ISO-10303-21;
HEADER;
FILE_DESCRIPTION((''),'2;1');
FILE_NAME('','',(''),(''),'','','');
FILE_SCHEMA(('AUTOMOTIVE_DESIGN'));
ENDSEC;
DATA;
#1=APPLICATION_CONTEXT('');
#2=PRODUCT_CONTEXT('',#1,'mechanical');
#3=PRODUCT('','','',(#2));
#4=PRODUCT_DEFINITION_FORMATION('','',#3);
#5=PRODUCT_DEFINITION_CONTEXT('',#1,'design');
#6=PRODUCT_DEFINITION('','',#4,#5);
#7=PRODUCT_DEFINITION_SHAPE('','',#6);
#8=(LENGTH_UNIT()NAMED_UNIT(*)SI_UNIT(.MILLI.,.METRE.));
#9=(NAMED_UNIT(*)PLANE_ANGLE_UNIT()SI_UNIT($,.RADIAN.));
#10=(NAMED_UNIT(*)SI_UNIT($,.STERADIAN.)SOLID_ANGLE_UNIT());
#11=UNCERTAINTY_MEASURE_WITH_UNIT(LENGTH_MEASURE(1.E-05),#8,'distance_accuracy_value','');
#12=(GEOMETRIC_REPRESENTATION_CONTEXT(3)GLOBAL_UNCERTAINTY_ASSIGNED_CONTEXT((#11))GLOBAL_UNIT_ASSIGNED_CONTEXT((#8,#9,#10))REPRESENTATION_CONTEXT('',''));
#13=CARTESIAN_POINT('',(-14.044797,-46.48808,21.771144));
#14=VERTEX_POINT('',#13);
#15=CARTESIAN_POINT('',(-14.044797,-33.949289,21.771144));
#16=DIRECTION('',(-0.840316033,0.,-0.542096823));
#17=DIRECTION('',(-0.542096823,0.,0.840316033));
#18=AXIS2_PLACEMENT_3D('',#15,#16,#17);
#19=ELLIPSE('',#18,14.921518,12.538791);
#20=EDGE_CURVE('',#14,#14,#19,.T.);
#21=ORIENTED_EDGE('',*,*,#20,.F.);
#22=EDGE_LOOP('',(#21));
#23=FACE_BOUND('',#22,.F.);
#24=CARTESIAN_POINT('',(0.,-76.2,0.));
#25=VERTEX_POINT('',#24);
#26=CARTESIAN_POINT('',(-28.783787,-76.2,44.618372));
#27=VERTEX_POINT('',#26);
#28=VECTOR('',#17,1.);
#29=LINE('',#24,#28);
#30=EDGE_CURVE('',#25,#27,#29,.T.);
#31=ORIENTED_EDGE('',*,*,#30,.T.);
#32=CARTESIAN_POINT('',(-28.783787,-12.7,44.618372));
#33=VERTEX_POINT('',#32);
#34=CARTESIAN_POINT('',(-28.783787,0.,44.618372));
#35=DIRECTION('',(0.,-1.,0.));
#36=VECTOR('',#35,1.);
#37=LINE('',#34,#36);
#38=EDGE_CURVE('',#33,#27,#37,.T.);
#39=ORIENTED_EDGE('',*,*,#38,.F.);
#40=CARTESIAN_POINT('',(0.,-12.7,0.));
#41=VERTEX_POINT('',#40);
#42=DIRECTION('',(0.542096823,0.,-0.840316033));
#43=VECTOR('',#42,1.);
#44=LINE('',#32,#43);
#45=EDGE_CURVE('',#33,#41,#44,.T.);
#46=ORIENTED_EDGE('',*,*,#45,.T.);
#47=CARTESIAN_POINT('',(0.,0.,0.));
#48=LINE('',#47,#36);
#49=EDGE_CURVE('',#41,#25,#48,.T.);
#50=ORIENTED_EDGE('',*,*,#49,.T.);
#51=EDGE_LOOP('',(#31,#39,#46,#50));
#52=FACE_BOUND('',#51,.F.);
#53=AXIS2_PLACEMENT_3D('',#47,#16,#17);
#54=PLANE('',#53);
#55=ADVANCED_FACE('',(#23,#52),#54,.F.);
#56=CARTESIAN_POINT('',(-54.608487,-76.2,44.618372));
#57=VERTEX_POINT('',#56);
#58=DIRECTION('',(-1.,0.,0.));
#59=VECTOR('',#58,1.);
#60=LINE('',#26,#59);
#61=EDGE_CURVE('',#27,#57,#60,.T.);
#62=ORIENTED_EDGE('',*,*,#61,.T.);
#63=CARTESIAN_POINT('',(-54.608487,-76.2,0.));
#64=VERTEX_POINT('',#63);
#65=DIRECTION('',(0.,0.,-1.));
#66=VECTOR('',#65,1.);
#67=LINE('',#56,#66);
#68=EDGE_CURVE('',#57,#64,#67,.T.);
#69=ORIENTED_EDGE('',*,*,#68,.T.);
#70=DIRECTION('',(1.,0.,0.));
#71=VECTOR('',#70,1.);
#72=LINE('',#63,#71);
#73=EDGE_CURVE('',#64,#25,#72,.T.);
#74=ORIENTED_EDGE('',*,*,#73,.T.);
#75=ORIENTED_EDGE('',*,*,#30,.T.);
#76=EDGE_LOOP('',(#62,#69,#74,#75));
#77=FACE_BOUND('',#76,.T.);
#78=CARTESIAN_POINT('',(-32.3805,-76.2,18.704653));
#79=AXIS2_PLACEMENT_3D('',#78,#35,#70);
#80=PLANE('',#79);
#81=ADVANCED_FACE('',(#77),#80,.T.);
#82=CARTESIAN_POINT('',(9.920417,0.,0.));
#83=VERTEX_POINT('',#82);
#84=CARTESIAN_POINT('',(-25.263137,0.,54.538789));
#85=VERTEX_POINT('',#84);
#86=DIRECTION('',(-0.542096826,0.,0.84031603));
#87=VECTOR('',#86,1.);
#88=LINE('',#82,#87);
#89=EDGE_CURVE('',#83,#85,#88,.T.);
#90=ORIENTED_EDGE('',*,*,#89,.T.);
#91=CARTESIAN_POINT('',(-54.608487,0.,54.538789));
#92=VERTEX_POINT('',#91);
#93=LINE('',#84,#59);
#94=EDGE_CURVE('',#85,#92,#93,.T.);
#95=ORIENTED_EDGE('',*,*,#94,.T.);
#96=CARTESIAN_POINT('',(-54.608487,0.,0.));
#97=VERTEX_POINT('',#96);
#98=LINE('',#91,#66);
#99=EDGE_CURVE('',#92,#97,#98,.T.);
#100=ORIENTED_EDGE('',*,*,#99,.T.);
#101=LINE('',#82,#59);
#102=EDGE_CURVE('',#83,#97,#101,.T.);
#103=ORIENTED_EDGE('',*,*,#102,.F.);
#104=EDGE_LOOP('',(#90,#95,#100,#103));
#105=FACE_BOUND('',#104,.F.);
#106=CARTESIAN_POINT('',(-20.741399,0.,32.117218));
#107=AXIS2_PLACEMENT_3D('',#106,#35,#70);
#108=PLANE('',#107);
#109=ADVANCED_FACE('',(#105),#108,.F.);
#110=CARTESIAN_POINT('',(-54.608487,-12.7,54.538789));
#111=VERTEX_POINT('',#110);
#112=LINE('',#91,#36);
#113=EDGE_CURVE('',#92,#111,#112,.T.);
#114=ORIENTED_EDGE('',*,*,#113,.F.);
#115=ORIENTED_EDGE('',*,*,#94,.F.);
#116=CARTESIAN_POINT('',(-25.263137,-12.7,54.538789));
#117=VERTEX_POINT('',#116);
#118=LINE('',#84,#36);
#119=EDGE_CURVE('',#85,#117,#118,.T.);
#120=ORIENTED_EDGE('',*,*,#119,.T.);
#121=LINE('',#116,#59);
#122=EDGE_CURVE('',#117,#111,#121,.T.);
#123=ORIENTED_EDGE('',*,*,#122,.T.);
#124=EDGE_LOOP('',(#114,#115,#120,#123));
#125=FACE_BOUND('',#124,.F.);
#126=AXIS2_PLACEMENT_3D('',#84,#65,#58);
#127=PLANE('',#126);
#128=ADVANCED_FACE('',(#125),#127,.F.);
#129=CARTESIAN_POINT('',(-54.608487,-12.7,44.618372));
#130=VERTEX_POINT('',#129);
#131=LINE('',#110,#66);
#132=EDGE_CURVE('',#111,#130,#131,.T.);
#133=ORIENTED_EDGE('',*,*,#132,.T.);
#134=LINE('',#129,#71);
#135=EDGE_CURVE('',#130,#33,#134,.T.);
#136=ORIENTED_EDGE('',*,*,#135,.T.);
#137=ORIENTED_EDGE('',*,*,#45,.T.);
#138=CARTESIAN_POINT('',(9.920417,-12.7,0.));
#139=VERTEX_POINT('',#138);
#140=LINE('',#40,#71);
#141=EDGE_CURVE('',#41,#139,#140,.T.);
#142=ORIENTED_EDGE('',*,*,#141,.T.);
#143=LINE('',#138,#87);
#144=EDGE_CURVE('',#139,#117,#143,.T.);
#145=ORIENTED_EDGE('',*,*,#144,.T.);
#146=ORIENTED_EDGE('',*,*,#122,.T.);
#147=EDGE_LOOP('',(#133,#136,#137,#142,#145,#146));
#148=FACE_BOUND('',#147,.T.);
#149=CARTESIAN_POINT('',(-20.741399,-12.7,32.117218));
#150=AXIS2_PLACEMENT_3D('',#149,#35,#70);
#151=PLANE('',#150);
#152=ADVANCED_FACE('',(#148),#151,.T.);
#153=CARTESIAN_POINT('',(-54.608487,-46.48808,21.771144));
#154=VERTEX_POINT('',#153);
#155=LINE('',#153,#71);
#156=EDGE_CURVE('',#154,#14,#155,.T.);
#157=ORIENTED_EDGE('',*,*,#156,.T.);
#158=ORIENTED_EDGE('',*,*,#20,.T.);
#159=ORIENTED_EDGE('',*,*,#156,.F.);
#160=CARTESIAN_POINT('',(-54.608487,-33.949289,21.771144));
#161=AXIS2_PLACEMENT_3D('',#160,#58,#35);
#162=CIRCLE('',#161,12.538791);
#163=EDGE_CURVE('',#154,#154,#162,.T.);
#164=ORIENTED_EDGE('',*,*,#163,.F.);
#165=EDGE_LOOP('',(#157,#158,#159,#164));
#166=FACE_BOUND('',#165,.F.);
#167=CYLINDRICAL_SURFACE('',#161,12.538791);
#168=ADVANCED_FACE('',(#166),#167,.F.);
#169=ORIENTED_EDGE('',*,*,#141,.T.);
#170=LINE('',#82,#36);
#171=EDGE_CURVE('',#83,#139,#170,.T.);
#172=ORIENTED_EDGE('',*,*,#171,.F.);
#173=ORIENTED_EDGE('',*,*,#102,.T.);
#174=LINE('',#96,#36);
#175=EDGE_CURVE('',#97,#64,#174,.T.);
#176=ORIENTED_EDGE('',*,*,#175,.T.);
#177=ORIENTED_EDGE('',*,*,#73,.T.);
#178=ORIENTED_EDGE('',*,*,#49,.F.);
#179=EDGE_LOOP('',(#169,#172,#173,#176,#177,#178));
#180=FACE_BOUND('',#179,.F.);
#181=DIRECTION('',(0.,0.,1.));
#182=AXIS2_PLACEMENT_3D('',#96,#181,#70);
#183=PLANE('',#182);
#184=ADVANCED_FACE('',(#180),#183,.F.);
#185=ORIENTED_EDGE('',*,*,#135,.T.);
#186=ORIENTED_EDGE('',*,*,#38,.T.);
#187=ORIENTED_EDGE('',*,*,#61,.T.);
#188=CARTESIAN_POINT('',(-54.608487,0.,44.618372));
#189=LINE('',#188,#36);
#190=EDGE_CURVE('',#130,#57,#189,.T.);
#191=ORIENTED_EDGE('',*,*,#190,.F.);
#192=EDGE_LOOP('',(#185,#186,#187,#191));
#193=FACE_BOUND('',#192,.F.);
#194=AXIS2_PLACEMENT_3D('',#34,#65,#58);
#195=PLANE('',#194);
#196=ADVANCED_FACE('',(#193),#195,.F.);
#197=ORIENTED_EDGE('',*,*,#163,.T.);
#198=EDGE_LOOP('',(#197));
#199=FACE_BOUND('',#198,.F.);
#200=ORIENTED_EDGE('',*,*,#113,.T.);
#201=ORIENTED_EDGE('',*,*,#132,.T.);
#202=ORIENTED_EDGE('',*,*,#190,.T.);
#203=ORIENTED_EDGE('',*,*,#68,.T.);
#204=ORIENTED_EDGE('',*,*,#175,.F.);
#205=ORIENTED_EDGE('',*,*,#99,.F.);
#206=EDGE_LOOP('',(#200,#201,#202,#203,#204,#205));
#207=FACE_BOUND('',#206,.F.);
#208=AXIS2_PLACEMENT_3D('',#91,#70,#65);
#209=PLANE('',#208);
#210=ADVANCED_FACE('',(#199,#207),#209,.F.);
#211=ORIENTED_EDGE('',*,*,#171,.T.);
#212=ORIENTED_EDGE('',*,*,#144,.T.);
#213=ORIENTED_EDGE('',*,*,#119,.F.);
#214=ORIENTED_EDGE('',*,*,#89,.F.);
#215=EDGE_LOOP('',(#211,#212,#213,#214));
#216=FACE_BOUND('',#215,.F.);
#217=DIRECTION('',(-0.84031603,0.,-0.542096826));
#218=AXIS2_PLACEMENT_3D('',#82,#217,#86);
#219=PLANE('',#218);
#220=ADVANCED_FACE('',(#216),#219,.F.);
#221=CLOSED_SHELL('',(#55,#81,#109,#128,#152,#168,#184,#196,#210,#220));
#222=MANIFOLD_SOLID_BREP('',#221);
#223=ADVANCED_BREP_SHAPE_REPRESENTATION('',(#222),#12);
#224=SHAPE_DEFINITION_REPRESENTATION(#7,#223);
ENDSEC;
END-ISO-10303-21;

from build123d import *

# Parameters (mm, degrees)
F2_DEPTH = 76.2
F3_R     = 12.538791
F4_DEPTH = 54.609487
F6_DEPTH = 12.7


with BuildPart() as f2:
    # F0 (on Front) → F2 (new body)
    with BuildSketch(Plane.XZ):
        Polygon((-54.608487, 0), (0, 0), (-28.783787, 44.618372), (-54.608487, 44.618372), align=None)
    extrude(amount=F2_DEPTH)

    # F3 (on face) → F4 (cut, through all)
    with BuildSketch(Plane(origin=(-54.608487, 0, 0), x_dir=(0, -1, 0), z_dir=(-1, 0, 0))):
        with Locations((33.949289, 21.771144)):
            Circle(F3_R)
    extrude(amount=-F4_DEPTH, mode=Mode.SUBTRACT)

    # F5 (on Front) → F6 (join)
    with BuildSketch(Plane.XZ):
        Polygon((-54.608487, 54.538789), (-54.608487, 44.618372), (-28.783787, 44.618372), (0, 0), (9.920417, 0), (-25.263137, 54.538789), align=None)
    extrude(amount=F6_DEPTH)


solid = f2.part
